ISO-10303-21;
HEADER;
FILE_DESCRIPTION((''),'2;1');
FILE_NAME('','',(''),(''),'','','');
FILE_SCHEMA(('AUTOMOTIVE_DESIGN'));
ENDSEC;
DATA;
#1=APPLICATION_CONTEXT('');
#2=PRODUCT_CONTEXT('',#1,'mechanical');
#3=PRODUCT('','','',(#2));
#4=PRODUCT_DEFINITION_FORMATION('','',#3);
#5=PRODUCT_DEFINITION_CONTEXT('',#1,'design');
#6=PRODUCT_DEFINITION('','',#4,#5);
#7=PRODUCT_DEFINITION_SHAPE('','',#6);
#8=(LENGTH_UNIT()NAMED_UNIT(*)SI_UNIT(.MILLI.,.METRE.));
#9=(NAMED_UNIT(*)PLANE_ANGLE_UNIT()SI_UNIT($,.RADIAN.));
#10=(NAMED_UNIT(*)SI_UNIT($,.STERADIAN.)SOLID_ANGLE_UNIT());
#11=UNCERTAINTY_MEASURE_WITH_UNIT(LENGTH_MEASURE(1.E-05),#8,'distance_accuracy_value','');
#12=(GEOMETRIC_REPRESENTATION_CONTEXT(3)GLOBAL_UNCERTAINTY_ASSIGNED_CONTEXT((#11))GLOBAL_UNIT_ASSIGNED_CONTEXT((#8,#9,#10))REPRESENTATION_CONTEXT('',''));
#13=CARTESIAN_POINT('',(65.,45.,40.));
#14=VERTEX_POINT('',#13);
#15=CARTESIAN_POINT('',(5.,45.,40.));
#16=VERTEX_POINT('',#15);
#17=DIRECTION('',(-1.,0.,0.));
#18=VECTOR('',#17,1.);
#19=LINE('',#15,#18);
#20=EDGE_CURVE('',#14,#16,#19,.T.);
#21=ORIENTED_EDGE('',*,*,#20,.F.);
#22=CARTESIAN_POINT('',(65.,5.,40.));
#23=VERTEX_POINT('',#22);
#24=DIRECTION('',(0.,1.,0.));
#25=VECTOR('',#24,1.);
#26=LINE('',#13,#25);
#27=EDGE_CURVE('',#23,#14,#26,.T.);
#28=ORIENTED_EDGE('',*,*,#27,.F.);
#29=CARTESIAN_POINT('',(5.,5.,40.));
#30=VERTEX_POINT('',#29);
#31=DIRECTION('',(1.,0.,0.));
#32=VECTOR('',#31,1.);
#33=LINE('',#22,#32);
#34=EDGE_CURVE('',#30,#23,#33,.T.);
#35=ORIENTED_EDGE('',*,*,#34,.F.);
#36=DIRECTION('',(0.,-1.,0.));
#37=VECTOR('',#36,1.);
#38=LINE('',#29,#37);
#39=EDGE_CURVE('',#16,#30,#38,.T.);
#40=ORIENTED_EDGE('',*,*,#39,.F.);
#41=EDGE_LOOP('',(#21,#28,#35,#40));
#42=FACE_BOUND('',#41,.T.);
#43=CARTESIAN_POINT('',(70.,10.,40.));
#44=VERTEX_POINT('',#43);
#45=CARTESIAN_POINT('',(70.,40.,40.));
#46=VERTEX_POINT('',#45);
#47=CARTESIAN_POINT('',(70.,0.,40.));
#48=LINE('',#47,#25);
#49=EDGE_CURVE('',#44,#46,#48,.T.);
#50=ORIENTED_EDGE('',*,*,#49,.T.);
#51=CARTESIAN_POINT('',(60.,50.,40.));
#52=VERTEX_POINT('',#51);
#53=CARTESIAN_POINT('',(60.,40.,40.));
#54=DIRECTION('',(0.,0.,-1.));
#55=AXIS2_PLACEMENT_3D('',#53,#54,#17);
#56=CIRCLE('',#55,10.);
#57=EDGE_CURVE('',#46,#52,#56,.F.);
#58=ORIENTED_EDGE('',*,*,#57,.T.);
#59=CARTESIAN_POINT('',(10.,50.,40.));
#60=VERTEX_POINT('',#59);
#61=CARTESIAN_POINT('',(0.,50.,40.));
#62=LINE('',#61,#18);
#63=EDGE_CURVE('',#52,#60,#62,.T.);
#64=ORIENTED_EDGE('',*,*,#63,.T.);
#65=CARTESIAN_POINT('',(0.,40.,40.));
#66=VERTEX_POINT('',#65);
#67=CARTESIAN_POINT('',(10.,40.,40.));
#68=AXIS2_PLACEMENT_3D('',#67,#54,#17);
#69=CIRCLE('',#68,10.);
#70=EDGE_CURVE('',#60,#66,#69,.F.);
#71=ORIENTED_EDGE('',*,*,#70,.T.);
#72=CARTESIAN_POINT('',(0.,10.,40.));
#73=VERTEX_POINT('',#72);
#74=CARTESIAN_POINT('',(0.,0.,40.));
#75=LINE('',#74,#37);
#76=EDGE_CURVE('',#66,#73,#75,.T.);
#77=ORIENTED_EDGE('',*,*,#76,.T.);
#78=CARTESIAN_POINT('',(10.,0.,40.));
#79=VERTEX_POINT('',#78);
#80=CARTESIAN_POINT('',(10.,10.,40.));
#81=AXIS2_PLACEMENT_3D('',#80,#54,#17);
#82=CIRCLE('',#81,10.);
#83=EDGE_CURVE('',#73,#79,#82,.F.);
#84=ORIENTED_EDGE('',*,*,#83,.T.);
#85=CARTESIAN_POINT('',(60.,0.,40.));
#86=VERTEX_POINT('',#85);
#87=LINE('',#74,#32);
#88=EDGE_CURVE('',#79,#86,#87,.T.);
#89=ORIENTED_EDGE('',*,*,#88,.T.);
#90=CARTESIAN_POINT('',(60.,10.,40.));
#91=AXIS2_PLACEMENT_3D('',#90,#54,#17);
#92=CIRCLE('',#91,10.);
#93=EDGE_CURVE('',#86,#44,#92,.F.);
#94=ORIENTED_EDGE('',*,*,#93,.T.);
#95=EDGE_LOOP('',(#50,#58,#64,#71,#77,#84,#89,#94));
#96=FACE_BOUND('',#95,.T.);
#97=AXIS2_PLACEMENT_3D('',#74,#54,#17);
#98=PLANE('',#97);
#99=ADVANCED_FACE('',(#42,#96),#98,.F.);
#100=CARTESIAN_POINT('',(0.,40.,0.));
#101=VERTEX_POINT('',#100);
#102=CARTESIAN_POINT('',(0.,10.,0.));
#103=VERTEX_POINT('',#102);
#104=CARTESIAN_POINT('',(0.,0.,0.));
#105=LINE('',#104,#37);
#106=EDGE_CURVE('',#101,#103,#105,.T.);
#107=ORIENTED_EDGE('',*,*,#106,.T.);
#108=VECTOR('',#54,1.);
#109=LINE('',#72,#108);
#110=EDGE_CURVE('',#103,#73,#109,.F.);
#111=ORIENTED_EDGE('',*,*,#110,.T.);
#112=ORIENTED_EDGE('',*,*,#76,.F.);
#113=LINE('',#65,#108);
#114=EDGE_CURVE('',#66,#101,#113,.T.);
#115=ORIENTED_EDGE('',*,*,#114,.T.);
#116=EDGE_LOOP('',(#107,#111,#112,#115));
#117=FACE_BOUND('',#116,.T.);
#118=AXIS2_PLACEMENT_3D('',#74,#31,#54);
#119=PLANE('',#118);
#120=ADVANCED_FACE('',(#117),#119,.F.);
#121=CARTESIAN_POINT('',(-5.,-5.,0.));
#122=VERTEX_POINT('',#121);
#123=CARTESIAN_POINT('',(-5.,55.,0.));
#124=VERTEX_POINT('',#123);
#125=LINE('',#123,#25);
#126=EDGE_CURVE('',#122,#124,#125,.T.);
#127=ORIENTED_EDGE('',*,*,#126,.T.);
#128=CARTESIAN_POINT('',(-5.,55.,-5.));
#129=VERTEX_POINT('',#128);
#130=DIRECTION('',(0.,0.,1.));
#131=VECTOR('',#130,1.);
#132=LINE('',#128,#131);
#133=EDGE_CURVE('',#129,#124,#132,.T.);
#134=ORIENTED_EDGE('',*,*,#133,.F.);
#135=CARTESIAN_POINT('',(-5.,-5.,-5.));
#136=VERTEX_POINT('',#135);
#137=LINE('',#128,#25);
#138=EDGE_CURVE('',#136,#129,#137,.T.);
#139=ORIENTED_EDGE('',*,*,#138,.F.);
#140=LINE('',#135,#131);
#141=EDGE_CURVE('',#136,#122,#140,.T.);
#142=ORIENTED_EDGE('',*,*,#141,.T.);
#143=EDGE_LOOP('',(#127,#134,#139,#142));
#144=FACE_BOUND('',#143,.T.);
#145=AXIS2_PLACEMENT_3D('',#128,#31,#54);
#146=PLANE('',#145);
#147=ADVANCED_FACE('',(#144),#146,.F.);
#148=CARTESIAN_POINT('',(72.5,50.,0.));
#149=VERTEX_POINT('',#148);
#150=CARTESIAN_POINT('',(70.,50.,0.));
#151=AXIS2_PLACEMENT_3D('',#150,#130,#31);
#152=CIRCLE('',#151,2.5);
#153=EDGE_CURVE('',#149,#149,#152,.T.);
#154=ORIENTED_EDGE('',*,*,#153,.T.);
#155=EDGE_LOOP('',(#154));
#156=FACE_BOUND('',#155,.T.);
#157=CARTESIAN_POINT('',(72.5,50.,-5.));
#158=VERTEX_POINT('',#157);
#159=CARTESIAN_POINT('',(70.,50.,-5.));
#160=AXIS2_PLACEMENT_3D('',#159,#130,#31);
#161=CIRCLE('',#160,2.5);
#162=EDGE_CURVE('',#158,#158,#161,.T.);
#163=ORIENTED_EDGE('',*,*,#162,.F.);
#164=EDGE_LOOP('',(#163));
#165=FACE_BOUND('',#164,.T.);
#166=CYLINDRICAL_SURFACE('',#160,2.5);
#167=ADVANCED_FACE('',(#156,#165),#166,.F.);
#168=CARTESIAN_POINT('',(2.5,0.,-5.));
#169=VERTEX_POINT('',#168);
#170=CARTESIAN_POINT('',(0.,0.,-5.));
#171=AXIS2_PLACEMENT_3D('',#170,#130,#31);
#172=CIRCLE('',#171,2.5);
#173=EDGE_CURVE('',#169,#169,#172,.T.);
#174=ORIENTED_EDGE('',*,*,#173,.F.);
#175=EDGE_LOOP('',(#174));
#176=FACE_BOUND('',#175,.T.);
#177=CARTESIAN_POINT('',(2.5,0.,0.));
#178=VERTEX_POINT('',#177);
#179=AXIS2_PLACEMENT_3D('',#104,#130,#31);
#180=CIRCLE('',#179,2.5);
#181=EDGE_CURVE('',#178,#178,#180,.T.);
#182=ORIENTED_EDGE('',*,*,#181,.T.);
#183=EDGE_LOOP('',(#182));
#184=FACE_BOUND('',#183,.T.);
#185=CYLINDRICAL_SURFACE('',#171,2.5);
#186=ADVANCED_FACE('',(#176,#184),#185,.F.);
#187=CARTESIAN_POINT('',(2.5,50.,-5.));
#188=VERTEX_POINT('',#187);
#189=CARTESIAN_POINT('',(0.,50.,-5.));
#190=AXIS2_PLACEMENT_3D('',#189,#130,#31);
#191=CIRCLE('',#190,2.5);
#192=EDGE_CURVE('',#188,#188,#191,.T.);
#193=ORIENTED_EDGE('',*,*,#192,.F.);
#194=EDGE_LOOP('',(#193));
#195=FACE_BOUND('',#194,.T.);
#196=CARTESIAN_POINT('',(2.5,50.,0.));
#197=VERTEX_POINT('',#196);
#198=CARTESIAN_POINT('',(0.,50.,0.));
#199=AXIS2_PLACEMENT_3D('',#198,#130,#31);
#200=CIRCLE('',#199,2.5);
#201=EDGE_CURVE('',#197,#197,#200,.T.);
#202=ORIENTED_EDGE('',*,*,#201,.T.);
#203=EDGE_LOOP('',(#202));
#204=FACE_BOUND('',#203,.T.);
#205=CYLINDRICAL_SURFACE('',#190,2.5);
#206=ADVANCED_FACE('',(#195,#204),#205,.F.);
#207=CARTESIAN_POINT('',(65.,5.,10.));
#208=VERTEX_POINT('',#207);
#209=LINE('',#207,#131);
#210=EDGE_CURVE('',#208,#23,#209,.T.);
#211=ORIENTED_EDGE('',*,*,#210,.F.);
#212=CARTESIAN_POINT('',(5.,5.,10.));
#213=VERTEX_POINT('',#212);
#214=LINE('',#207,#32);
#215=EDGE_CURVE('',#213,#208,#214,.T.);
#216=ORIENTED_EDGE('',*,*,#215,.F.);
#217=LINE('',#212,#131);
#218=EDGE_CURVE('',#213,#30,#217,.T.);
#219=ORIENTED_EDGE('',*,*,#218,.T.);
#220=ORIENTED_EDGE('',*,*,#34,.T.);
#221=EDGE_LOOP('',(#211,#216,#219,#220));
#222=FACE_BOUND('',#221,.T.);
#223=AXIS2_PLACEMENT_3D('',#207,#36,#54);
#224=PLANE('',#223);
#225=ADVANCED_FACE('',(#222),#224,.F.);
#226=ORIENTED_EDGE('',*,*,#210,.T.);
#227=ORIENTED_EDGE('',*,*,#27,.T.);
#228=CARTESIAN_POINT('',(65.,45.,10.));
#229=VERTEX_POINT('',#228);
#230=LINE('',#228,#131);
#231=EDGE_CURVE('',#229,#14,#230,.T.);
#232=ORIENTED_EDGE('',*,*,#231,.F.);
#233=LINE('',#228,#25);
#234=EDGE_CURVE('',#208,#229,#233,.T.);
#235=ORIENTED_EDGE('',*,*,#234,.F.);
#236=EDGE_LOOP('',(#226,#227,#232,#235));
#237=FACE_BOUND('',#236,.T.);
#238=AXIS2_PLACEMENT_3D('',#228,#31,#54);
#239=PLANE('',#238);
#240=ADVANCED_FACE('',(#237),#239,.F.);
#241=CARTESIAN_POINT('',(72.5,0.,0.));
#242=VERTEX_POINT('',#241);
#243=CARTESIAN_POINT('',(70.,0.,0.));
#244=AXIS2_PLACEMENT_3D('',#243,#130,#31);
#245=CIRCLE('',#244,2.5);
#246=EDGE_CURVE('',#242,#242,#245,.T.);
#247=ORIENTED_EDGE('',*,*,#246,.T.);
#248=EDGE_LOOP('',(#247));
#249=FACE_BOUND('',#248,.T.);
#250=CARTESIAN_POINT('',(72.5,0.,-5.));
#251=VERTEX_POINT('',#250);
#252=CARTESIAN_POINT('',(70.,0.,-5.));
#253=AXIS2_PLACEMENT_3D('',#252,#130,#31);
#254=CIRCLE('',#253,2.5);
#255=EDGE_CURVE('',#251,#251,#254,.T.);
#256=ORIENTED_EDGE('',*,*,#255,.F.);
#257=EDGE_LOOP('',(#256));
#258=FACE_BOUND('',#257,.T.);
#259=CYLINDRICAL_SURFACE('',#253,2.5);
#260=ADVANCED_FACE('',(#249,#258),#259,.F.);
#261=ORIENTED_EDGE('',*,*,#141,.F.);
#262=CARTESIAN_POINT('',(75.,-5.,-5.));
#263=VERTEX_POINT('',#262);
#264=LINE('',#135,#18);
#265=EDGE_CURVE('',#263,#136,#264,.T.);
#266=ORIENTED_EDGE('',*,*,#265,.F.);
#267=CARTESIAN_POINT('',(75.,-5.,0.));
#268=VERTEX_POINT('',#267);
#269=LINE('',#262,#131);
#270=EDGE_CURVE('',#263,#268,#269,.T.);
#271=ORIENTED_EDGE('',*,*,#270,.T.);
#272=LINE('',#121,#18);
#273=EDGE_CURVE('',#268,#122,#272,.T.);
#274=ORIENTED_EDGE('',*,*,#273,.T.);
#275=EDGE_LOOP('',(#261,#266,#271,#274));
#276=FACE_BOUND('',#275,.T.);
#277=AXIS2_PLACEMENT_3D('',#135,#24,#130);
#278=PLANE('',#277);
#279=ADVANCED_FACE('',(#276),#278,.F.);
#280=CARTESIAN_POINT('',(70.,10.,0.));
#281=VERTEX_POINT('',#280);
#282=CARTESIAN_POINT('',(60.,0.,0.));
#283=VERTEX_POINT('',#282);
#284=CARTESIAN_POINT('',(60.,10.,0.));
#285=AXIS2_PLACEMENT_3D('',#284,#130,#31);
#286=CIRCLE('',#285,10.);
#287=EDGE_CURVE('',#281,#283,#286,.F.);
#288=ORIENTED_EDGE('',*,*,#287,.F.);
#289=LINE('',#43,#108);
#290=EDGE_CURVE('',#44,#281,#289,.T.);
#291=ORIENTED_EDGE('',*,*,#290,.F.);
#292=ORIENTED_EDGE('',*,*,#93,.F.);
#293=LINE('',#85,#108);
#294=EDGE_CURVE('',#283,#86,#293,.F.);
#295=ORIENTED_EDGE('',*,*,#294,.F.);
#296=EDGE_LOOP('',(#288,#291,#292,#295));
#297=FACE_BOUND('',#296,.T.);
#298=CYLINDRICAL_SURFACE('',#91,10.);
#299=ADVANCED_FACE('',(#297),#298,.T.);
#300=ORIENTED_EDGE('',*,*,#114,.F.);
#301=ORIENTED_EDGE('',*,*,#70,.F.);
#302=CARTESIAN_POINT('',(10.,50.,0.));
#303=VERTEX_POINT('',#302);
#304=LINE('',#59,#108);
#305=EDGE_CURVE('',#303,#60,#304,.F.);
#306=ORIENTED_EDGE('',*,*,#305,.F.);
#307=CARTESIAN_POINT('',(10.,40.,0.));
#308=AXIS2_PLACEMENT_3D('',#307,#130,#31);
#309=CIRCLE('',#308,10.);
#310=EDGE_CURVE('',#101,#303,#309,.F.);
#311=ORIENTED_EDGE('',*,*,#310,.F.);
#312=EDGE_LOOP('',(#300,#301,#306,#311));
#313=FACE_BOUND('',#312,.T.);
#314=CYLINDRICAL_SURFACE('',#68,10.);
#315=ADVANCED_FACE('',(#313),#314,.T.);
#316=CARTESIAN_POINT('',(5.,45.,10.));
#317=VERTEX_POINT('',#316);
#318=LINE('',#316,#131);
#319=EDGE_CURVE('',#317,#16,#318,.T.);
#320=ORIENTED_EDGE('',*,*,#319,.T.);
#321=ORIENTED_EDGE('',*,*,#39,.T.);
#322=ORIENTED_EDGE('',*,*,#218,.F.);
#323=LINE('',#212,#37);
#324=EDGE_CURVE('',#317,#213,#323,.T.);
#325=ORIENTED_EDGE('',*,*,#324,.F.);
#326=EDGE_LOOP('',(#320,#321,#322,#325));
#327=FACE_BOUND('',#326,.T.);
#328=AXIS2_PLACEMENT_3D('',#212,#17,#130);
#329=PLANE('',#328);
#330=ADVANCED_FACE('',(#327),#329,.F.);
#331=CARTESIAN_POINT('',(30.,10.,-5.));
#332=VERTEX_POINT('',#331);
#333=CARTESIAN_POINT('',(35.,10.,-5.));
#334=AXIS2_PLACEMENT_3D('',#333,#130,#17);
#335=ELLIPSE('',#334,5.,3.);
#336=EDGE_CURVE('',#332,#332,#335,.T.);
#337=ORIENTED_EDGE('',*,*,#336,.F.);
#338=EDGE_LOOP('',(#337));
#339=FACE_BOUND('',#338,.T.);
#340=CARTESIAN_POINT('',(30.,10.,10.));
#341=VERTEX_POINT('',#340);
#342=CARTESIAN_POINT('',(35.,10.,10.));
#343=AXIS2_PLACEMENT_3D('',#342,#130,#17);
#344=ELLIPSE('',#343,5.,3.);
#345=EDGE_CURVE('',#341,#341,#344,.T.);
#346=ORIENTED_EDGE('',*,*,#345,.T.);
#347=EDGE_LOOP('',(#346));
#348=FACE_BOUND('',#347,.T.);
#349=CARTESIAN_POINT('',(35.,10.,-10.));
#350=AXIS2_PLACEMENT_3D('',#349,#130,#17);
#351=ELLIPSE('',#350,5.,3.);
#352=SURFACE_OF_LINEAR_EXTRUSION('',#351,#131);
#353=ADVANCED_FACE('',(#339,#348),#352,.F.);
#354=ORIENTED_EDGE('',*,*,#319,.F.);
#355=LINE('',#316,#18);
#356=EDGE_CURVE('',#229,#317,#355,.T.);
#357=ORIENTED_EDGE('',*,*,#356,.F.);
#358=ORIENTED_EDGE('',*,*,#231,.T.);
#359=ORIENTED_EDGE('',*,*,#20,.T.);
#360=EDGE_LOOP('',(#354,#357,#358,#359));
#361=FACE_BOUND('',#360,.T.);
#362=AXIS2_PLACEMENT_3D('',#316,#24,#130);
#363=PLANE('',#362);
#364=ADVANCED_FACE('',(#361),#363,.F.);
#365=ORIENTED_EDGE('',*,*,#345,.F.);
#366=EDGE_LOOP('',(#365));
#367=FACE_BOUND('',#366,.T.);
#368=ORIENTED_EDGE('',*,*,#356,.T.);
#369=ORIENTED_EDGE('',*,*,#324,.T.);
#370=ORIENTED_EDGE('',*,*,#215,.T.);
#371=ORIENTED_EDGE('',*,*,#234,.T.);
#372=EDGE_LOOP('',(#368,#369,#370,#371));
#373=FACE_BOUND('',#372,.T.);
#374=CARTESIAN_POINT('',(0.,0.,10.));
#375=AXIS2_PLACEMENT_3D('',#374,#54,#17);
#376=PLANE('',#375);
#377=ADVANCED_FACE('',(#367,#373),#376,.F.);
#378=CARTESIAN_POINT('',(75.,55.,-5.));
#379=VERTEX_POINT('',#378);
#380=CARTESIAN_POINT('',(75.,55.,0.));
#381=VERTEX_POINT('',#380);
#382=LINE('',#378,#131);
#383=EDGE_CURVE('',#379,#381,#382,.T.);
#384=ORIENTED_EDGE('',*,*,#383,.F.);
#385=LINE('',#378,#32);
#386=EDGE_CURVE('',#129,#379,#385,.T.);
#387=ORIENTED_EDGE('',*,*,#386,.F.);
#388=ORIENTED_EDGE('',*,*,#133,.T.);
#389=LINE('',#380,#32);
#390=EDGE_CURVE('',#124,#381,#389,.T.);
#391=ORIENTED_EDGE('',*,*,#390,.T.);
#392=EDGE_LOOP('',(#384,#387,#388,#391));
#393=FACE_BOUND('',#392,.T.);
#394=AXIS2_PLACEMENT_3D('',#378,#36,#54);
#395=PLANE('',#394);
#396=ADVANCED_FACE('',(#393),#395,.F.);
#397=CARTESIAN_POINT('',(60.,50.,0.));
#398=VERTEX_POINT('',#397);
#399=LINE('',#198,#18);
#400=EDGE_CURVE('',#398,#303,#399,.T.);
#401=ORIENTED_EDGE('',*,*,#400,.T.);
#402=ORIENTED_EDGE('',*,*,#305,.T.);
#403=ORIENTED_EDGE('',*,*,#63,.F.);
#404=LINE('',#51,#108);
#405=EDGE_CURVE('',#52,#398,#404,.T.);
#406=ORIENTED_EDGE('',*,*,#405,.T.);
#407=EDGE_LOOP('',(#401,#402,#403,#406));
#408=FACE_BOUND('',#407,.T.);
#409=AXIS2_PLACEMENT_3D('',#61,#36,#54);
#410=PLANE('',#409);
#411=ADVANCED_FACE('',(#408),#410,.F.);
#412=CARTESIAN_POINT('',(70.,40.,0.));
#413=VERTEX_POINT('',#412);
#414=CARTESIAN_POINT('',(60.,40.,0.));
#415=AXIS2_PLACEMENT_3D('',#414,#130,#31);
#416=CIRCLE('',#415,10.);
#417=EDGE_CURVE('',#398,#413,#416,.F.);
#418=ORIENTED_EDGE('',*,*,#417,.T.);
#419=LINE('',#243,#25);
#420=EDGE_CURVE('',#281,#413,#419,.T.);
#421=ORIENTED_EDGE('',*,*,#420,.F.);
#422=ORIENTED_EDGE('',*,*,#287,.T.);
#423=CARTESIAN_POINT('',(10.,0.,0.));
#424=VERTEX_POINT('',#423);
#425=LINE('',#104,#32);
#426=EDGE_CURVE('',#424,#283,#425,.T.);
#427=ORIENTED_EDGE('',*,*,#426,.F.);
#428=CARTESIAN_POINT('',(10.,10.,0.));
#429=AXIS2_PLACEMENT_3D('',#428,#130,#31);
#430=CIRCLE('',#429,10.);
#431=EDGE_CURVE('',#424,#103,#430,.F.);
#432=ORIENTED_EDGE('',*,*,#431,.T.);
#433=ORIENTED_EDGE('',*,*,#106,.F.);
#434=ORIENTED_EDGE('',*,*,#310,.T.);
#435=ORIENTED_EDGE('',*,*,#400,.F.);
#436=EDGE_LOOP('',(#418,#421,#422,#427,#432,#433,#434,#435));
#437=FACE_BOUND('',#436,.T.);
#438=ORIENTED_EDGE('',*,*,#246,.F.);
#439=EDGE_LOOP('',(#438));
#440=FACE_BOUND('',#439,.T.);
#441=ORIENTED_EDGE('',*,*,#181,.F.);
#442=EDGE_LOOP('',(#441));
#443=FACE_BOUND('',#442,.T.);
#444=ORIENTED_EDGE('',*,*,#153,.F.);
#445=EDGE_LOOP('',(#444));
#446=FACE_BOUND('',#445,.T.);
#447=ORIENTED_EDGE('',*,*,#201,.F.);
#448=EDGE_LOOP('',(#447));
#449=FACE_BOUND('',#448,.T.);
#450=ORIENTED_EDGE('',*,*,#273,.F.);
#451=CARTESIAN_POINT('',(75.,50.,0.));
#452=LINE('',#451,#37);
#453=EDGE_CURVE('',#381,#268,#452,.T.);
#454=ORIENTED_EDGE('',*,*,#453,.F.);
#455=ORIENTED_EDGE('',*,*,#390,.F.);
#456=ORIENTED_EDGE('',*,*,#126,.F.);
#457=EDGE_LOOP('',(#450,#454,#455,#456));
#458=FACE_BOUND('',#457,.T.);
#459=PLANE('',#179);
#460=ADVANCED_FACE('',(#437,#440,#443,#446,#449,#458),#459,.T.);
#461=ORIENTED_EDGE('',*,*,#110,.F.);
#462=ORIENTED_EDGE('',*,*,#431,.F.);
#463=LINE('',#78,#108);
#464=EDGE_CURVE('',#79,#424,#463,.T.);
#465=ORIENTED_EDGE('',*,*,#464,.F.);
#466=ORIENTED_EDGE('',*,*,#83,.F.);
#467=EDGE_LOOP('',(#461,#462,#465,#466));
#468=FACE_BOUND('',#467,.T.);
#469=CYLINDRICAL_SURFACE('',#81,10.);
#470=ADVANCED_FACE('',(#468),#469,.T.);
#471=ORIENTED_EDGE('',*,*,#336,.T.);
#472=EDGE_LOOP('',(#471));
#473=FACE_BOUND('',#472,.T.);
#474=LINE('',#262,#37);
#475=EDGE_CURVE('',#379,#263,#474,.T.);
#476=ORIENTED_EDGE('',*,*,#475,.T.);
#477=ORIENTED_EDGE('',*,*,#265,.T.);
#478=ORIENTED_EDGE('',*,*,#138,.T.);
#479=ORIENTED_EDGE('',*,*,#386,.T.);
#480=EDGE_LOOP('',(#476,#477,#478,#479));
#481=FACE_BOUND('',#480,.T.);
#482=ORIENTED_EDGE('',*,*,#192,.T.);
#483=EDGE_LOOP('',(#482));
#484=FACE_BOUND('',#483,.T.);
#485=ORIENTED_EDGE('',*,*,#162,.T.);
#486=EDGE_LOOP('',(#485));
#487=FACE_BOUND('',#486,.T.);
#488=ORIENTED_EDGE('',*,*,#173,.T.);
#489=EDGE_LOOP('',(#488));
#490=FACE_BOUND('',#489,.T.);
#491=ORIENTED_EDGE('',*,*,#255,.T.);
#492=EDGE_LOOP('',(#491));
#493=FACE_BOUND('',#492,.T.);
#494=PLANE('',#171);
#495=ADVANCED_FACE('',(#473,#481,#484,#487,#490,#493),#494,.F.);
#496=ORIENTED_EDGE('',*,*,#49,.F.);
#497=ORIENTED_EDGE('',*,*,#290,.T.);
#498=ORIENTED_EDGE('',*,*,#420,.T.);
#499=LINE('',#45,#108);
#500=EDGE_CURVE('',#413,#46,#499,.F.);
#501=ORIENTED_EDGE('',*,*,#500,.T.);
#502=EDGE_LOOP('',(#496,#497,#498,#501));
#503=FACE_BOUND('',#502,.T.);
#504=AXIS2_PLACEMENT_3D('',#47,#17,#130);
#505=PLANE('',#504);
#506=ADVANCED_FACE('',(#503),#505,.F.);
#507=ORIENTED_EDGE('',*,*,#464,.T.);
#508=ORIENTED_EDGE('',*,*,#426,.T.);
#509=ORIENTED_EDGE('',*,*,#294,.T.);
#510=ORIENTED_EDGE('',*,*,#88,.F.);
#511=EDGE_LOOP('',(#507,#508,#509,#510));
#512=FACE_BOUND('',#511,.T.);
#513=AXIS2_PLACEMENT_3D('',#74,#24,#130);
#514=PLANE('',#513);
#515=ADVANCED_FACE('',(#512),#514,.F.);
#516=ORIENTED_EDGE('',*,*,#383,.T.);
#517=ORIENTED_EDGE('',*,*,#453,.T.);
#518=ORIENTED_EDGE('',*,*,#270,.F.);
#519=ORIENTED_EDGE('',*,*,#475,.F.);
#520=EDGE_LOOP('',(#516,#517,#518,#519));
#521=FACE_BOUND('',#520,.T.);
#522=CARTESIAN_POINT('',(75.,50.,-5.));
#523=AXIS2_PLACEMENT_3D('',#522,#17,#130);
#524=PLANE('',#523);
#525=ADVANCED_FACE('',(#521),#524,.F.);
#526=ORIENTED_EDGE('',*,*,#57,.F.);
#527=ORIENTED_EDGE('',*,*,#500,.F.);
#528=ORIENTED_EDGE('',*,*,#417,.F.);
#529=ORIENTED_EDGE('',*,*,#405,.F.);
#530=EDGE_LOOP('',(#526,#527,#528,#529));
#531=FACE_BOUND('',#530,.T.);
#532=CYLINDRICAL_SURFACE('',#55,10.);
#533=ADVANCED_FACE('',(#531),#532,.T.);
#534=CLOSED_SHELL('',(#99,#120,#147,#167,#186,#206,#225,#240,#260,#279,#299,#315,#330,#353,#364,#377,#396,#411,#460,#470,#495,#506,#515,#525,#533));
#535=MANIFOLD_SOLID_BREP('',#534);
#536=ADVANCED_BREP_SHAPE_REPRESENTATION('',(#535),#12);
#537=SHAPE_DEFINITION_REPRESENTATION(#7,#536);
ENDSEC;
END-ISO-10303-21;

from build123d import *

# Parameters (mm, degrees)
SKETCH1_W           = 70
SKETCH1_H           = 50
BOSS_EXTRUDE1_DEPTH = 40
SKETCH2_W           = 60
SKETCH2_H           = 40
CUT_EXTRUDE1_DEPTH  = 30
BOSS_EXTRUDE2_DEPTH = 5
FILLET1_R           = 10
SKETCH5_R           = 2.5
CUT_EXTRUDE2_DEPTH  = 5
SKETCH6_RX          = 5
SKETCH6_RY          = 3
CUT_EXTRUDE3_DEPTH  = 20


with BuildPart() as part:
    # Sketch1 → Boss-Extrude1 (new body)
    with BuildSketch(Plane.XY):
        with Locations((35, 25)):
            Rectangle(SKETCH1_W, SKETCH1_H)
    extrude(amount=BOSS_EXTRUDE1_DEPTH)

    # Sketch2 → Cut-Extrude1 (cut)
    with BuildSketch(Plane.XY.offset(40)):
        with Locations((35, 25)):
            Rectangle(SKETCH2_W, SKETCH2_H)
    extrude(amount=-CUT_EXTRUDE1_DEPTH, mode=Mode.SUBTRACT)

    # Sketch4 → Boss-Extrude2 (add)
    with BuildSketch(Plane(origin=(0, 0, 0), x_dir=(-1, 0, 0), z_dir=(0, 0, -1))):
        Polygon((-75, 50), (-75, 55), (5, 55), (5, -5), (-75, -5), align=None)
    extrude(amount=BOSS_EXTRUDE2_DEPTH)

    # Fillet1
    fillet1_edges = [part.edges().sort_by_distance(p)[0] for p in [
        (0, 50, 20),
        (70, 50, 20),
        (70, 0, 20),
        (0, 0, 20),
    ]]
    fillet(fillet1_edges, radius=FILLET1_R)

    # Sketch5 → Cut-Extrude2 (cut)
    with BuildSketch(Plane.XY):
        with Locations((0, 50)):
            Circle(SKETCH5_R)
        with Locations((70, 50)):
            Circle(SKETCH5_R)
        with Locations((70, 0)):
            Circle(SKETCH5_R)
        Circle(SKETCH5_R)
    extrude(amount=-CUT_EXTRUDE2_DEPTH, mode=Mode.SUBTRACT)

    # Sketch6 → Cut-Extrude3 (cut)
    with BuildSketch(Plane.XY.offset(10)):
        with Locations(Location((35, 10), (0, 0, 180))):
            Ellipse(SKETCH6_RX, SKETCH6_RY)
    extrude(amount=-CUT_EXTRUDE3_DEPTH, mode=Mode.SUBTRACT)


solid = part.part
